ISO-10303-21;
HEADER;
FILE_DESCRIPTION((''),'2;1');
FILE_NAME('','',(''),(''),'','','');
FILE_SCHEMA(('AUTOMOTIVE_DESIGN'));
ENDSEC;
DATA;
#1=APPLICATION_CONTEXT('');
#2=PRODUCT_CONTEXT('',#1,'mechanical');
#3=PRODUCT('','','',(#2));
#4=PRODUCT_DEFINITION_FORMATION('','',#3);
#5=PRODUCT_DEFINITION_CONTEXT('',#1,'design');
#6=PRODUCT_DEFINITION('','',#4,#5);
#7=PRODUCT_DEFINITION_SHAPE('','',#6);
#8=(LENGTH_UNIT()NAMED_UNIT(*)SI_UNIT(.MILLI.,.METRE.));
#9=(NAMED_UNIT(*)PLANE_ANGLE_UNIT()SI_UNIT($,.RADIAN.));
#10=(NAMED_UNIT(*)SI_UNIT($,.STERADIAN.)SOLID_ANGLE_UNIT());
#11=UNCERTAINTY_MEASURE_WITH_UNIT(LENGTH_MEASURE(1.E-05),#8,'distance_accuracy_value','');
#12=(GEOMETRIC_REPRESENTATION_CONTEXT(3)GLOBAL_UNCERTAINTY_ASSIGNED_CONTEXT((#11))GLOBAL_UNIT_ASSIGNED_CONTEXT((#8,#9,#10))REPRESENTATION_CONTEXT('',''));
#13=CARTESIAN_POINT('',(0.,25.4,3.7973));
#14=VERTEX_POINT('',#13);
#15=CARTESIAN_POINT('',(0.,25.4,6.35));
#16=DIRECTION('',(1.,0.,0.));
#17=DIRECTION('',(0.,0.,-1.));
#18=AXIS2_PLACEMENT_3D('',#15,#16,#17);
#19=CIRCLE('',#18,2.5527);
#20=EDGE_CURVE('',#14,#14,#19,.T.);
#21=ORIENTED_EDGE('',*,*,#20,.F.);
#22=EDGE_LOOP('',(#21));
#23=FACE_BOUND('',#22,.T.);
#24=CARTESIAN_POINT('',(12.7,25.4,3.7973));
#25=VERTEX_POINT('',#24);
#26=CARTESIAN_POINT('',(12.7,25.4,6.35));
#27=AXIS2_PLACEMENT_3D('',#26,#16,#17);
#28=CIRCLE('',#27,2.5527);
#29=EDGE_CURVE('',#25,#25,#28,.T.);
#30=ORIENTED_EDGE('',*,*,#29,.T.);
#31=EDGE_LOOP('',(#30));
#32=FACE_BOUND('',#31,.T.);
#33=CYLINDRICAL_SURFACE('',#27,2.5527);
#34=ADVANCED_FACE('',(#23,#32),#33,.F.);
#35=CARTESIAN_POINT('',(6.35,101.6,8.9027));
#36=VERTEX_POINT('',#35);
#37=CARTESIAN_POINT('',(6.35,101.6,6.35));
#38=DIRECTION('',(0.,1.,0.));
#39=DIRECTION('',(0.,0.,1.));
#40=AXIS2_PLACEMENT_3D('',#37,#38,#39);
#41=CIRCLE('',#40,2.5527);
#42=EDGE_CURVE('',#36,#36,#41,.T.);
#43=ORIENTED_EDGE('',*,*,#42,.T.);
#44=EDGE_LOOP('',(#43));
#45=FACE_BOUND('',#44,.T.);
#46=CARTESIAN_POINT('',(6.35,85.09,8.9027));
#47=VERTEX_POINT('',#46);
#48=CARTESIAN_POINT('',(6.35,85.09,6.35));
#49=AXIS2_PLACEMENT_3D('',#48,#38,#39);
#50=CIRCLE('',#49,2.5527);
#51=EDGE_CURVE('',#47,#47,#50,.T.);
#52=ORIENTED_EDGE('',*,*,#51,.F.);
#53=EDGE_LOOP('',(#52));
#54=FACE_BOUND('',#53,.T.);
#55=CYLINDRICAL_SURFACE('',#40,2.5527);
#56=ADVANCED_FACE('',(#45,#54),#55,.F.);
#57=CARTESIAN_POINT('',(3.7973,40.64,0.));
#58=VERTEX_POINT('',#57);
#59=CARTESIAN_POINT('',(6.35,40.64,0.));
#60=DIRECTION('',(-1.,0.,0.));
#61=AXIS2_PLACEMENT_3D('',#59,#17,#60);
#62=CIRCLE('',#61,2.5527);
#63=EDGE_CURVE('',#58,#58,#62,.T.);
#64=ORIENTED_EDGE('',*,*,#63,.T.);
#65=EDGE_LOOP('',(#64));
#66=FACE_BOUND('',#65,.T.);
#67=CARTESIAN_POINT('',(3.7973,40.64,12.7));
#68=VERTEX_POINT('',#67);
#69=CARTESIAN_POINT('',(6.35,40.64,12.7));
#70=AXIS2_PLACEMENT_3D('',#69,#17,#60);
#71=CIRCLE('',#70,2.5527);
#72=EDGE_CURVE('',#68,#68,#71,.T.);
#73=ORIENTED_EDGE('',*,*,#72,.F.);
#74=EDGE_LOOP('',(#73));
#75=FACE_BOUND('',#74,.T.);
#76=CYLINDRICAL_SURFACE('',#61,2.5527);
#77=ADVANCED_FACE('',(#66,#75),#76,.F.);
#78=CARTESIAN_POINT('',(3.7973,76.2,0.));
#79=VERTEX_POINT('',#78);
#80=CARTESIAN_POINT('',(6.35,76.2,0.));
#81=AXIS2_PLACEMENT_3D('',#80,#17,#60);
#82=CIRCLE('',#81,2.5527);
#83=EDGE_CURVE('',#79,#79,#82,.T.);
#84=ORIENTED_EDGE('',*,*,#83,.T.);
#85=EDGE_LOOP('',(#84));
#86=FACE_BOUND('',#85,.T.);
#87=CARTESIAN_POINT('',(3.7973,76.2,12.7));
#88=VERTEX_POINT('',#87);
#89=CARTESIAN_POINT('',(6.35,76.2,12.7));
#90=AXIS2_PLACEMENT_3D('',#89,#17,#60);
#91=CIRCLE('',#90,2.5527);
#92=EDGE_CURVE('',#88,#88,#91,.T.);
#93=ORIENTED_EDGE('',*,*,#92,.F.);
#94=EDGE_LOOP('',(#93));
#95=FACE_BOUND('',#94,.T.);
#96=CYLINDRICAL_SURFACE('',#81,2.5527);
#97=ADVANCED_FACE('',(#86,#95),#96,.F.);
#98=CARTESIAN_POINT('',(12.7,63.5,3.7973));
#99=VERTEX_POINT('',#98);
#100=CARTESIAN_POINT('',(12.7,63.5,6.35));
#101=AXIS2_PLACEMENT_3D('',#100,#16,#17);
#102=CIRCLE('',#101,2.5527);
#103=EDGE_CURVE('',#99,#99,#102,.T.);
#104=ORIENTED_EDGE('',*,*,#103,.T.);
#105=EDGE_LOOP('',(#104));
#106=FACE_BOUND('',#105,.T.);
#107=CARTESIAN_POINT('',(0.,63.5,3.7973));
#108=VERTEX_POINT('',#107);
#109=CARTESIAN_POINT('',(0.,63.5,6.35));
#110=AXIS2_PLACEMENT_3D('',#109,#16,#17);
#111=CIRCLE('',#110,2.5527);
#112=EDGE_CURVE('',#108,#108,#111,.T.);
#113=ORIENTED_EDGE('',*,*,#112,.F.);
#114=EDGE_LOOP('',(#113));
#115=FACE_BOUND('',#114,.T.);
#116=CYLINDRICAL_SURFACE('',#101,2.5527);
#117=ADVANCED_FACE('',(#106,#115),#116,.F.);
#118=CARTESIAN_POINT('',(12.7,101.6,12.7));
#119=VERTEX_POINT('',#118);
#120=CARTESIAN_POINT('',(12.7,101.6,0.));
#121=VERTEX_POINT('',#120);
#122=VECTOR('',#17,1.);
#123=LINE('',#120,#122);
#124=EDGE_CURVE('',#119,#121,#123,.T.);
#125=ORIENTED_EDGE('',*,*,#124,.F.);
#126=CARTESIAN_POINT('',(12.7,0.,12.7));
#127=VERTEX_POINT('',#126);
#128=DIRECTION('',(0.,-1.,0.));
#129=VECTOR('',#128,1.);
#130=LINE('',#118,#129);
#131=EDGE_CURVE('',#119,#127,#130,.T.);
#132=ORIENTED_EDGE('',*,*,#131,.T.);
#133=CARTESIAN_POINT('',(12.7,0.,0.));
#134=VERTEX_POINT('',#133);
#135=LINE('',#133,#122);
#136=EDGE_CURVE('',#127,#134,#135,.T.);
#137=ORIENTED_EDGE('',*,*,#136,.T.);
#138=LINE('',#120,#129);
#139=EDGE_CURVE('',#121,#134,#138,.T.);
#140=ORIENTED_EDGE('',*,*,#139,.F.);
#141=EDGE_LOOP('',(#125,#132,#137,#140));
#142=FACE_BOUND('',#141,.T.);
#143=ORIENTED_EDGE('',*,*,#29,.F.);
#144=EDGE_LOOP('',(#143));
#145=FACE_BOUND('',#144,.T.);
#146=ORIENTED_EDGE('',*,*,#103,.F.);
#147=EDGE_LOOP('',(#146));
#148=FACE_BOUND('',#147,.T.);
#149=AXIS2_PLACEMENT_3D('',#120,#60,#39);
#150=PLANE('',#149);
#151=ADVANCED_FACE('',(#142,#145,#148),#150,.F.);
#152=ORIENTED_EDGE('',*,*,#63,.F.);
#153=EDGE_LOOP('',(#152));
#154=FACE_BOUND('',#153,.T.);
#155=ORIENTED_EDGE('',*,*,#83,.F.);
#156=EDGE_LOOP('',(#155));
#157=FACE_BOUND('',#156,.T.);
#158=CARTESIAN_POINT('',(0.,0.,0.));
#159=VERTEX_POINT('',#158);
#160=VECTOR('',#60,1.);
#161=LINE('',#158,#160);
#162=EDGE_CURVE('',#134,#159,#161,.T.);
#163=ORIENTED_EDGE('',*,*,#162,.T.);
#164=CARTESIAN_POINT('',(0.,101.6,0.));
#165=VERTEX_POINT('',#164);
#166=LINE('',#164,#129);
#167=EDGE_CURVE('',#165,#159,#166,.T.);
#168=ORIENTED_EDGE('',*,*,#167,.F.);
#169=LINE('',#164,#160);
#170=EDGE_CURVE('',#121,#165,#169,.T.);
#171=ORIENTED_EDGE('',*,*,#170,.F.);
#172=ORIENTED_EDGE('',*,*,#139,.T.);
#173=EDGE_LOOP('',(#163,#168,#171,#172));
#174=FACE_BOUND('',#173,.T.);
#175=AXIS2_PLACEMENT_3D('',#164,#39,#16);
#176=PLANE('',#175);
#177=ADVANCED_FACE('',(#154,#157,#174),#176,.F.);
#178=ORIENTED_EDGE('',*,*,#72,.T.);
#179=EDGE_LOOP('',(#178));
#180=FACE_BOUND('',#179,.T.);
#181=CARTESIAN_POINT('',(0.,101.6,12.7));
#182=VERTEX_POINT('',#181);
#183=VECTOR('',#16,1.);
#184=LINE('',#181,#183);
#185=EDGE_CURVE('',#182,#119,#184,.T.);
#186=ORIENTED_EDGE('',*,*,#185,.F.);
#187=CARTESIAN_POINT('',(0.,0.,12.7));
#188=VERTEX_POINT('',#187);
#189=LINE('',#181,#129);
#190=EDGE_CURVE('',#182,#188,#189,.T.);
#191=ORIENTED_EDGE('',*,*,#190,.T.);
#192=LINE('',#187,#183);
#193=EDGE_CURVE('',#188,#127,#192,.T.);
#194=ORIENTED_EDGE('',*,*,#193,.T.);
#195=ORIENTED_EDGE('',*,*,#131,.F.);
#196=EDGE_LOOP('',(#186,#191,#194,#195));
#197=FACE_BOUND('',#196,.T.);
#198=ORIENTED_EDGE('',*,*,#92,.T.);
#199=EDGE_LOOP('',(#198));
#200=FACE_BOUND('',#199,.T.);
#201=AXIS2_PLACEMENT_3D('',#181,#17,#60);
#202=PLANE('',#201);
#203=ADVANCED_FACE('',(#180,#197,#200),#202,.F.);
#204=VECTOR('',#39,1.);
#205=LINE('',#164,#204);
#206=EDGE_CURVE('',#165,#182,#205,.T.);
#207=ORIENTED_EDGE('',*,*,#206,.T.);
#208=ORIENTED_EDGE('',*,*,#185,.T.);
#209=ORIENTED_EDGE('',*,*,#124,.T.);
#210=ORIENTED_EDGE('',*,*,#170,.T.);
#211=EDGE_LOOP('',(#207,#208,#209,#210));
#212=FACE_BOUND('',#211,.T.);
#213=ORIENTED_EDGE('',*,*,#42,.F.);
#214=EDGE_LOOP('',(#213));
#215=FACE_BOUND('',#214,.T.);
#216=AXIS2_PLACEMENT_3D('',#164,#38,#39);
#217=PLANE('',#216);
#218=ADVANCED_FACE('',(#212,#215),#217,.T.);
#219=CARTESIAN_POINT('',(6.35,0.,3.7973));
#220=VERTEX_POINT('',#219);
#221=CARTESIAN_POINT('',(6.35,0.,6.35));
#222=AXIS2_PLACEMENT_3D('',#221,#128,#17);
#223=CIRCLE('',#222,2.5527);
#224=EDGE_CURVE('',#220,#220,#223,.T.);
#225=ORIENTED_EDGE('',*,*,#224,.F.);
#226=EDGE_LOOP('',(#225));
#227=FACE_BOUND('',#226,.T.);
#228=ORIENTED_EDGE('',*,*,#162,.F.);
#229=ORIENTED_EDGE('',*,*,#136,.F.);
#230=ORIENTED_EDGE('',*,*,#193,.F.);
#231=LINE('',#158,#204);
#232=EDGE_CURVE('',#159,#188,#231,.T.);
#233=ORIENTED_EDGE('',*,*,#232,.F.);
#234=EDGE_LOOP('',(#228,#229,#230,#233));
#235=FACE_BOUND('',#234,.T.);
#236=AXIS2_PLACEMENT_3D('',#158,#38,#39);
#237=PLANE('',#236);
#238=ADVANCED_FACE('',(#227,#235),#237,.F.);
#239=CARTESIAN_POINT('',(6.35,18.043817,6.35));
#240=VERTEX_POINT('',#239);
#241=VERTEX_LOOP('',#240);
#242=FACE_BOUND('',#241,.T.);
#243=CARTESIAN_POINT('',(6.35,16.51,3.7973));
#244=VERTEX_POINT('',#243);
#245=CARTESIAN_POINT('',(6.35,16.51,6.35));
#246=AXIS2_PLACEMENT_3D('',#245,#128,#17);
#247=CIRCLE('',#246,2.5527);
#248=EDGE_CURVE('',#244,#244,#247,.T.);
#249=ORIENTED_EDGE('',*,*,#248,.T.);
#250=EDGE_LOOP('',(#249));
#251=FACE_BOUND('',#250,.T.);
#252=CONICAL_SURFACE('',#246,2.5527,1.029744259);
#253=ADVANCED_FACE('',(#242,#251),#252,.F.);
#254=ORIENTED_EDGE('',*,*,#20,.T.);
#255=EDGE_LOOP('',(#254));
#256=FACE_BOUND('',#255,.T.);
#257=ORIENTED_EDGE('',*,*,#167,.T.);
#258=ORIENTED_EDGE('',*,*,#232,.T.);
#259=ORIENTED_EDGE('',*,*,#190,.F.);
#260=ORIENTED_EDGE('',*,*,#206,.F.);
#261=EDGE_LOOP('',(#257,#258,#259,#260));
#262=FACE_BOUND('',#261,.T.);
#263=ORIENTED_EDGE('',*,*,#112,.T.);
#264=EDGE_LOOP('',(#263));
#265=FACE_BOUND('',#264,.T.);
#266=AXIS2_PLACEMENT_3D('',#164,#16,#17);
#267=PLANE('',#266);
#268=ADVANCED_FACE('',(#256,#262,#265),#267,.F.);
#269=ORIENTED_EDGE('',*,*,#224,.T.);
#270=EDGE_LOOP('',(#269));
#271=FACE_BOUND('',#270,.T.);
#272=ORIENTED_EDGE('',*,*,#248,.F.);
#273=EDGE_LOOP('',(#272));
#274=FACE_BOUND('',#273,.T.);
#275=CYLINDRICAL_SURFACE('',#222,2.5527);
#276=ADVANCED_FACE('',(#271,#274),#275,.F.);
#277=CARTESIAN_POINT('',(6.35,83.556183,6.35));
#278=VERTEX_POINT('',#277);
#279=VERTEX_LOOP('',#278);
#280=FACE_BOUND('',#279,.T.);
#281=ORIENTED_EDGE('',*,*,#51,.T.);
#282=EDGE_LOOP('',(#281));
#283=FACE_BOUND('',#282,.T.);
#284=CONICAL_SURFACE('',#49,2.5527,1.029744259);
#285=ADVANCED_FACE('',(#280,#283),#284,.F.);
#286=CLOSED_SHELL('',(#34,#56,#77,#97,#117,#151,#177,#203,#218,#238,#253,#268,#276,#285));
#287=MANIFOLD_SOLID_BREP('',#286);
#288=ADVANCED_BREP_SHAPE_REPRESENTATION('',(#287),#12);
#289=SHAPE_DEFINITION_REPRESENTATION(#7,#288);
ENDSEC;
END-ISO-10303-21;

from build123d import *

# Parameters (mm, degrees)
SKETCH1_W                             = 12.7
SKETCH1_H                             = 12.7
BOSS_EXTRUDE1_DEPTH                   = 101.6
F_1_4_20_TAPPED_HOLE1_D               = 5.1054
F_1_4_20_TAPPED_HOLE1_DEPTH           = 16.51
F_1_4_20_TAPPED_HOLE1_TIP             = 1.533816902
F_1_4_20_TAPPED_HOLE1_ON_FACE_2_D     = 5.1054
F_1_4_20_TAPPED_HOLE1_ON_FACE_2_DEPTH = 16.51
F_1_4_20_TAPPED_HOLE1_ON_FACE_2_TIP   = 1.533816902
F_1_4_20_TAPPED_HOLE2_D               = 5.1054
F_1_4_20_TAPPED_HOLE2_DEPTH           = 16.51
F_1_4_20_TAPPED_HOLE2_TIP             = 1.533816902
F_1_4_20_TAPPED_HOLE3_D               = 5.1054
F_1_4_20_TAPPED_HOLE3_DEPTH           = 16.51
F_1_4_20_TAPPED_HOLE3_TIP             = 1.533816902


with BuildPart() as part:
    # Sketch1 → Boss-Extrude1 (new body)
    with BuildSketch(Plane(origin=(0, 0, 0), x_dir=(1, 0, 0), z_dir=(0, 1, 0))):
        with Locations((6.35, -6.35)):
            Rectangle(SKETCH1_W, SKETCH1_H)
    extrude(amount=BOSS_EXTRUDE1_DEPTH)

    # 1/4-20 Tapped Hole1
    with Locations(Plane(origin=(6.35, 0, 6.35), x_dir=(0, 0, -1), z_dir=(0, -1, 0))):
        with Locations((0, 0)):
            Hole(F_1_4_20_TAPPED_HOLE1_D / 2, depth=F_1_4_20_TAPPED_HOLE1_DEPTH)
            with Locations((0, 0, -(F_1_4_20_TAPPED_HOLE1_DEPTH + F_1_4_20_TAPPED_HOLE1_TIP / 2))):  # 118° drill point
                Cone(0, F_1_4_20_TAPPED_HOLE1_D / 2, F_1_4_20_TAPPED_HOLE1_TIP, mode=Mode.SUBTRACT)

    # 1/4-20 Tapped Hole1 on face 2
    with Locations(Plane(origin=(6.35, 101.6, 6.35), x_dir=(0, 0, 1), z_dir=(0, 1, 0))):
        with Locations((0, 0)):
            Hole(F_1_4_20_TAPPED_HOLE1_ON_FACE_2_D / 2, depth=F_1_4_20_TAPPED_HOLE1_ON_FACE_2_DEPTH)
            with Locations((0, 0, -(F_1_4_20_TAPPED_HOLE1_ON_FACE_2_DEPTH + F_1_4_20_TAPPED_HOLE1_ON_FACE_2_TIP / 2))):  # 118° drill point
                Cone(0, F_1_4_20_TAPPED_HOLE1_ON_FACE_2_D / 2, F_1_4_20_TAPPED_HOLE1_ON_FACE_2_TIP, mode=Mode.SUBTRACT)

    # 1/4-20 Tapped Hole2
    with Locations(Plane(origin=(6.35, 76.2, 0), x_dir=(-1, 0, 0), z_dir=(0, 0, -1))):
        with Locations((0, 0), (0, -35.56)):
            Hole(F_1_4_20_TAPPED_HOLE2_D / 2, depth=F_1_4_20_TAPPED_HOLE2_DEPTH)
            with Locations((0, 0, -(F_1_4_20_TAPPED_HOLE2_DEPTH + F_1_4_20_TAPPED_HOLE2_TIP / 2))):  # 118° drill point
                Cone(0, F_1_4_20_TAPPED_HOLE2_D / 2, F_1_4_20_TAPPED_HOLE2_TIP, mode=Mode.SUBTRACT)

    # 1/4-20 Tapped Hole3
    with Locations(Plane(origin=(12.7, 25.4, 6.35), x_dir=(0, 0, 1), z_dir=(1, 0, 0))):
        with Locations((0, 0), (0, -38.1)):
            Hole(F_1_4_20_TAPPED_HOLE3_D / 2, depth=F_1_4_20_TAPPED_HOLE3_DEPTH)
            with Locations((0, 0, -(F_1_4_20_TAPPED_HOLE3_DEPTH + F_1_4_20_TAPPED_HOLE3_TIP / 2))):  # 118° drill point
                Cone(0, F_1_4_20_TAPPED_HOLE3_D / 2, F_1_4_20_TAPPED_HOLE3_TIP, mode=Mode.SUBTRACT)


solid = part.part
